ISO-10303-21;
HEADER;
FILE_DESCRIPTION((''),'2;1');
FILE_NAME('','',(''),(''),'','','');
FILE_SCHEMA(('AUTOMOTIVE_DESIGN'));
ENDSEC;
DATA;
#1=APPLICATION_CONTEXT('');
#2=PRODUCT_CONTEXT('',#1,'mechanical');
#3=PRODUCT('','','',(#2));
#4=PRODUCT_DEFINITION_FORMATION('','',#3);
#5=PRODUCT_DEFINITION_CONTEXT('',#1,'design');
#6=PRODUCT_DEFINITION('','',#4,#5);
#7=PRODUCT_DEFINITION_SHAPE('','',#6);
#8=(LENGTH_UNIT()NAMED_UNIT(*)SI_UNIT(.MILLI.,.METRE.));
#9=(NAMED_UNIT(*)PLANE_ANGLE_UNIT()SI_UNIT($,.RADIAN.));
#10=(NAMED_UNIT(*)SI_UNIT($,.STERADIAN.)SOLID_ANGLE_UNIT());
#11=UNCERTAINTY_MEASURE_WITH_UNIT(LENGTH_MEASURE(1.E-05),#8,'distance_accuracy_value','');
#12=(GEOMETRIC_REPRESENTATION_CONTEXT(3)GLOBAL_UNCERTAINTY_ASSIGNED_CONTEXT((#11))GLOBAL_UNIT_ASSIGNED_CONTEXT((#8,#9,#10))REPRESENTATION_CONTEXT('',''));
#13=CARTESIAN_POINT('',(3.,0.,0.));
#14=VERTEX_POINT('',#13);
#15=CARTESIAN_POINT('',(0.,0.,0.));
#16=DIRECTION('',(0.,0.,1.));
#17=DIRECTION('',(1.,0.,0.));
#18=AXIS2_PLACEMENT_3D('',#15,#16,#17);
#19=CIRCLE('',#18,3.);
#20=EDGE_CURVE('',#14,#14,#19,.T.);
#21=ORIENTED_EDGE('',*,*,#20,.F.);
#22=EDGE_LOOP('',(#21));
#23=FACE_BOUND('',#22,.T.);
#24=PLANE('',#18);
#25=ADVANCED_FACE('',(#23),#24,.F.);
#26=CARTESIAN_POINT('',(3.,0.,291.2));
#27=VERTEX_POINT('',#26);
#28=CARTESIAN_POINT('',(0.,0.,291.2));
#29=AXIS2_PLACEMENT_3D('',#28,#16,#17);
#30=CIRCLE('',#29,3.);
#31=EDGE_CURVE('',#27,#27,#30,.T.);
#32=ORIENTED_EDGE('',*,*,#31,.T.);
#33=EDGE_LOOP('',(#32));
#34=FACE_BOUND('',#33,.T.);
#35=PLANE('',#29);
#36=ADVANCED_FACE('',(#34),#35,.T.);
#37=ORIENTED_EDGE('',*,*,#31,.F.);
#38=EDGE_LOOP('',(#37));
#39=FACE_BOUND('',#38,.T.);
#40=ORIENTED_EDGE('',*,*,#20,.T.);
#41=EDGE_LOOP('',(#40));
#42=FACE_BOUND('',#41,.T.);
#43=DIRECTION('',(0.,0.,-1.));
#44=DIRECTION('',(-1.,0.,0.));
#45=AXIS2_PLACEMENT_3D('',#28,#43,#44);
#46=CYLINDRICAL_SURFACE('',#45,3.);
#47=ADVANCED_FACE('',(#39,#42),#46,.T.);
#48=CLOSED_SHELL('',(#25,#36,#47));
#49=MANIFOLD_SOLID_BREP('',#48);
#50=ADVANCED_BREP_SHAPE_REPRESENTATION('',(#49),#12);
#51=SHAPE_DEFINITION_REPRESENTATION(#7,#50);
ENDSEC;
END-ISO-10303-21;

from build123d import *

# Parameters (mm, degrees)
SKETCH_1_R      = 3
EXTRUDE_1_DEPTH = 291.2


with BuildPart() as part:
    # 草图1 → 凸台-拉伸1 (new body)
    with BuildSketch(Plane.XY):
        Circle(SKETCH_1_R)
    extrude(amount=EXTRUDE_1_DEPTH)


solid = part.part
